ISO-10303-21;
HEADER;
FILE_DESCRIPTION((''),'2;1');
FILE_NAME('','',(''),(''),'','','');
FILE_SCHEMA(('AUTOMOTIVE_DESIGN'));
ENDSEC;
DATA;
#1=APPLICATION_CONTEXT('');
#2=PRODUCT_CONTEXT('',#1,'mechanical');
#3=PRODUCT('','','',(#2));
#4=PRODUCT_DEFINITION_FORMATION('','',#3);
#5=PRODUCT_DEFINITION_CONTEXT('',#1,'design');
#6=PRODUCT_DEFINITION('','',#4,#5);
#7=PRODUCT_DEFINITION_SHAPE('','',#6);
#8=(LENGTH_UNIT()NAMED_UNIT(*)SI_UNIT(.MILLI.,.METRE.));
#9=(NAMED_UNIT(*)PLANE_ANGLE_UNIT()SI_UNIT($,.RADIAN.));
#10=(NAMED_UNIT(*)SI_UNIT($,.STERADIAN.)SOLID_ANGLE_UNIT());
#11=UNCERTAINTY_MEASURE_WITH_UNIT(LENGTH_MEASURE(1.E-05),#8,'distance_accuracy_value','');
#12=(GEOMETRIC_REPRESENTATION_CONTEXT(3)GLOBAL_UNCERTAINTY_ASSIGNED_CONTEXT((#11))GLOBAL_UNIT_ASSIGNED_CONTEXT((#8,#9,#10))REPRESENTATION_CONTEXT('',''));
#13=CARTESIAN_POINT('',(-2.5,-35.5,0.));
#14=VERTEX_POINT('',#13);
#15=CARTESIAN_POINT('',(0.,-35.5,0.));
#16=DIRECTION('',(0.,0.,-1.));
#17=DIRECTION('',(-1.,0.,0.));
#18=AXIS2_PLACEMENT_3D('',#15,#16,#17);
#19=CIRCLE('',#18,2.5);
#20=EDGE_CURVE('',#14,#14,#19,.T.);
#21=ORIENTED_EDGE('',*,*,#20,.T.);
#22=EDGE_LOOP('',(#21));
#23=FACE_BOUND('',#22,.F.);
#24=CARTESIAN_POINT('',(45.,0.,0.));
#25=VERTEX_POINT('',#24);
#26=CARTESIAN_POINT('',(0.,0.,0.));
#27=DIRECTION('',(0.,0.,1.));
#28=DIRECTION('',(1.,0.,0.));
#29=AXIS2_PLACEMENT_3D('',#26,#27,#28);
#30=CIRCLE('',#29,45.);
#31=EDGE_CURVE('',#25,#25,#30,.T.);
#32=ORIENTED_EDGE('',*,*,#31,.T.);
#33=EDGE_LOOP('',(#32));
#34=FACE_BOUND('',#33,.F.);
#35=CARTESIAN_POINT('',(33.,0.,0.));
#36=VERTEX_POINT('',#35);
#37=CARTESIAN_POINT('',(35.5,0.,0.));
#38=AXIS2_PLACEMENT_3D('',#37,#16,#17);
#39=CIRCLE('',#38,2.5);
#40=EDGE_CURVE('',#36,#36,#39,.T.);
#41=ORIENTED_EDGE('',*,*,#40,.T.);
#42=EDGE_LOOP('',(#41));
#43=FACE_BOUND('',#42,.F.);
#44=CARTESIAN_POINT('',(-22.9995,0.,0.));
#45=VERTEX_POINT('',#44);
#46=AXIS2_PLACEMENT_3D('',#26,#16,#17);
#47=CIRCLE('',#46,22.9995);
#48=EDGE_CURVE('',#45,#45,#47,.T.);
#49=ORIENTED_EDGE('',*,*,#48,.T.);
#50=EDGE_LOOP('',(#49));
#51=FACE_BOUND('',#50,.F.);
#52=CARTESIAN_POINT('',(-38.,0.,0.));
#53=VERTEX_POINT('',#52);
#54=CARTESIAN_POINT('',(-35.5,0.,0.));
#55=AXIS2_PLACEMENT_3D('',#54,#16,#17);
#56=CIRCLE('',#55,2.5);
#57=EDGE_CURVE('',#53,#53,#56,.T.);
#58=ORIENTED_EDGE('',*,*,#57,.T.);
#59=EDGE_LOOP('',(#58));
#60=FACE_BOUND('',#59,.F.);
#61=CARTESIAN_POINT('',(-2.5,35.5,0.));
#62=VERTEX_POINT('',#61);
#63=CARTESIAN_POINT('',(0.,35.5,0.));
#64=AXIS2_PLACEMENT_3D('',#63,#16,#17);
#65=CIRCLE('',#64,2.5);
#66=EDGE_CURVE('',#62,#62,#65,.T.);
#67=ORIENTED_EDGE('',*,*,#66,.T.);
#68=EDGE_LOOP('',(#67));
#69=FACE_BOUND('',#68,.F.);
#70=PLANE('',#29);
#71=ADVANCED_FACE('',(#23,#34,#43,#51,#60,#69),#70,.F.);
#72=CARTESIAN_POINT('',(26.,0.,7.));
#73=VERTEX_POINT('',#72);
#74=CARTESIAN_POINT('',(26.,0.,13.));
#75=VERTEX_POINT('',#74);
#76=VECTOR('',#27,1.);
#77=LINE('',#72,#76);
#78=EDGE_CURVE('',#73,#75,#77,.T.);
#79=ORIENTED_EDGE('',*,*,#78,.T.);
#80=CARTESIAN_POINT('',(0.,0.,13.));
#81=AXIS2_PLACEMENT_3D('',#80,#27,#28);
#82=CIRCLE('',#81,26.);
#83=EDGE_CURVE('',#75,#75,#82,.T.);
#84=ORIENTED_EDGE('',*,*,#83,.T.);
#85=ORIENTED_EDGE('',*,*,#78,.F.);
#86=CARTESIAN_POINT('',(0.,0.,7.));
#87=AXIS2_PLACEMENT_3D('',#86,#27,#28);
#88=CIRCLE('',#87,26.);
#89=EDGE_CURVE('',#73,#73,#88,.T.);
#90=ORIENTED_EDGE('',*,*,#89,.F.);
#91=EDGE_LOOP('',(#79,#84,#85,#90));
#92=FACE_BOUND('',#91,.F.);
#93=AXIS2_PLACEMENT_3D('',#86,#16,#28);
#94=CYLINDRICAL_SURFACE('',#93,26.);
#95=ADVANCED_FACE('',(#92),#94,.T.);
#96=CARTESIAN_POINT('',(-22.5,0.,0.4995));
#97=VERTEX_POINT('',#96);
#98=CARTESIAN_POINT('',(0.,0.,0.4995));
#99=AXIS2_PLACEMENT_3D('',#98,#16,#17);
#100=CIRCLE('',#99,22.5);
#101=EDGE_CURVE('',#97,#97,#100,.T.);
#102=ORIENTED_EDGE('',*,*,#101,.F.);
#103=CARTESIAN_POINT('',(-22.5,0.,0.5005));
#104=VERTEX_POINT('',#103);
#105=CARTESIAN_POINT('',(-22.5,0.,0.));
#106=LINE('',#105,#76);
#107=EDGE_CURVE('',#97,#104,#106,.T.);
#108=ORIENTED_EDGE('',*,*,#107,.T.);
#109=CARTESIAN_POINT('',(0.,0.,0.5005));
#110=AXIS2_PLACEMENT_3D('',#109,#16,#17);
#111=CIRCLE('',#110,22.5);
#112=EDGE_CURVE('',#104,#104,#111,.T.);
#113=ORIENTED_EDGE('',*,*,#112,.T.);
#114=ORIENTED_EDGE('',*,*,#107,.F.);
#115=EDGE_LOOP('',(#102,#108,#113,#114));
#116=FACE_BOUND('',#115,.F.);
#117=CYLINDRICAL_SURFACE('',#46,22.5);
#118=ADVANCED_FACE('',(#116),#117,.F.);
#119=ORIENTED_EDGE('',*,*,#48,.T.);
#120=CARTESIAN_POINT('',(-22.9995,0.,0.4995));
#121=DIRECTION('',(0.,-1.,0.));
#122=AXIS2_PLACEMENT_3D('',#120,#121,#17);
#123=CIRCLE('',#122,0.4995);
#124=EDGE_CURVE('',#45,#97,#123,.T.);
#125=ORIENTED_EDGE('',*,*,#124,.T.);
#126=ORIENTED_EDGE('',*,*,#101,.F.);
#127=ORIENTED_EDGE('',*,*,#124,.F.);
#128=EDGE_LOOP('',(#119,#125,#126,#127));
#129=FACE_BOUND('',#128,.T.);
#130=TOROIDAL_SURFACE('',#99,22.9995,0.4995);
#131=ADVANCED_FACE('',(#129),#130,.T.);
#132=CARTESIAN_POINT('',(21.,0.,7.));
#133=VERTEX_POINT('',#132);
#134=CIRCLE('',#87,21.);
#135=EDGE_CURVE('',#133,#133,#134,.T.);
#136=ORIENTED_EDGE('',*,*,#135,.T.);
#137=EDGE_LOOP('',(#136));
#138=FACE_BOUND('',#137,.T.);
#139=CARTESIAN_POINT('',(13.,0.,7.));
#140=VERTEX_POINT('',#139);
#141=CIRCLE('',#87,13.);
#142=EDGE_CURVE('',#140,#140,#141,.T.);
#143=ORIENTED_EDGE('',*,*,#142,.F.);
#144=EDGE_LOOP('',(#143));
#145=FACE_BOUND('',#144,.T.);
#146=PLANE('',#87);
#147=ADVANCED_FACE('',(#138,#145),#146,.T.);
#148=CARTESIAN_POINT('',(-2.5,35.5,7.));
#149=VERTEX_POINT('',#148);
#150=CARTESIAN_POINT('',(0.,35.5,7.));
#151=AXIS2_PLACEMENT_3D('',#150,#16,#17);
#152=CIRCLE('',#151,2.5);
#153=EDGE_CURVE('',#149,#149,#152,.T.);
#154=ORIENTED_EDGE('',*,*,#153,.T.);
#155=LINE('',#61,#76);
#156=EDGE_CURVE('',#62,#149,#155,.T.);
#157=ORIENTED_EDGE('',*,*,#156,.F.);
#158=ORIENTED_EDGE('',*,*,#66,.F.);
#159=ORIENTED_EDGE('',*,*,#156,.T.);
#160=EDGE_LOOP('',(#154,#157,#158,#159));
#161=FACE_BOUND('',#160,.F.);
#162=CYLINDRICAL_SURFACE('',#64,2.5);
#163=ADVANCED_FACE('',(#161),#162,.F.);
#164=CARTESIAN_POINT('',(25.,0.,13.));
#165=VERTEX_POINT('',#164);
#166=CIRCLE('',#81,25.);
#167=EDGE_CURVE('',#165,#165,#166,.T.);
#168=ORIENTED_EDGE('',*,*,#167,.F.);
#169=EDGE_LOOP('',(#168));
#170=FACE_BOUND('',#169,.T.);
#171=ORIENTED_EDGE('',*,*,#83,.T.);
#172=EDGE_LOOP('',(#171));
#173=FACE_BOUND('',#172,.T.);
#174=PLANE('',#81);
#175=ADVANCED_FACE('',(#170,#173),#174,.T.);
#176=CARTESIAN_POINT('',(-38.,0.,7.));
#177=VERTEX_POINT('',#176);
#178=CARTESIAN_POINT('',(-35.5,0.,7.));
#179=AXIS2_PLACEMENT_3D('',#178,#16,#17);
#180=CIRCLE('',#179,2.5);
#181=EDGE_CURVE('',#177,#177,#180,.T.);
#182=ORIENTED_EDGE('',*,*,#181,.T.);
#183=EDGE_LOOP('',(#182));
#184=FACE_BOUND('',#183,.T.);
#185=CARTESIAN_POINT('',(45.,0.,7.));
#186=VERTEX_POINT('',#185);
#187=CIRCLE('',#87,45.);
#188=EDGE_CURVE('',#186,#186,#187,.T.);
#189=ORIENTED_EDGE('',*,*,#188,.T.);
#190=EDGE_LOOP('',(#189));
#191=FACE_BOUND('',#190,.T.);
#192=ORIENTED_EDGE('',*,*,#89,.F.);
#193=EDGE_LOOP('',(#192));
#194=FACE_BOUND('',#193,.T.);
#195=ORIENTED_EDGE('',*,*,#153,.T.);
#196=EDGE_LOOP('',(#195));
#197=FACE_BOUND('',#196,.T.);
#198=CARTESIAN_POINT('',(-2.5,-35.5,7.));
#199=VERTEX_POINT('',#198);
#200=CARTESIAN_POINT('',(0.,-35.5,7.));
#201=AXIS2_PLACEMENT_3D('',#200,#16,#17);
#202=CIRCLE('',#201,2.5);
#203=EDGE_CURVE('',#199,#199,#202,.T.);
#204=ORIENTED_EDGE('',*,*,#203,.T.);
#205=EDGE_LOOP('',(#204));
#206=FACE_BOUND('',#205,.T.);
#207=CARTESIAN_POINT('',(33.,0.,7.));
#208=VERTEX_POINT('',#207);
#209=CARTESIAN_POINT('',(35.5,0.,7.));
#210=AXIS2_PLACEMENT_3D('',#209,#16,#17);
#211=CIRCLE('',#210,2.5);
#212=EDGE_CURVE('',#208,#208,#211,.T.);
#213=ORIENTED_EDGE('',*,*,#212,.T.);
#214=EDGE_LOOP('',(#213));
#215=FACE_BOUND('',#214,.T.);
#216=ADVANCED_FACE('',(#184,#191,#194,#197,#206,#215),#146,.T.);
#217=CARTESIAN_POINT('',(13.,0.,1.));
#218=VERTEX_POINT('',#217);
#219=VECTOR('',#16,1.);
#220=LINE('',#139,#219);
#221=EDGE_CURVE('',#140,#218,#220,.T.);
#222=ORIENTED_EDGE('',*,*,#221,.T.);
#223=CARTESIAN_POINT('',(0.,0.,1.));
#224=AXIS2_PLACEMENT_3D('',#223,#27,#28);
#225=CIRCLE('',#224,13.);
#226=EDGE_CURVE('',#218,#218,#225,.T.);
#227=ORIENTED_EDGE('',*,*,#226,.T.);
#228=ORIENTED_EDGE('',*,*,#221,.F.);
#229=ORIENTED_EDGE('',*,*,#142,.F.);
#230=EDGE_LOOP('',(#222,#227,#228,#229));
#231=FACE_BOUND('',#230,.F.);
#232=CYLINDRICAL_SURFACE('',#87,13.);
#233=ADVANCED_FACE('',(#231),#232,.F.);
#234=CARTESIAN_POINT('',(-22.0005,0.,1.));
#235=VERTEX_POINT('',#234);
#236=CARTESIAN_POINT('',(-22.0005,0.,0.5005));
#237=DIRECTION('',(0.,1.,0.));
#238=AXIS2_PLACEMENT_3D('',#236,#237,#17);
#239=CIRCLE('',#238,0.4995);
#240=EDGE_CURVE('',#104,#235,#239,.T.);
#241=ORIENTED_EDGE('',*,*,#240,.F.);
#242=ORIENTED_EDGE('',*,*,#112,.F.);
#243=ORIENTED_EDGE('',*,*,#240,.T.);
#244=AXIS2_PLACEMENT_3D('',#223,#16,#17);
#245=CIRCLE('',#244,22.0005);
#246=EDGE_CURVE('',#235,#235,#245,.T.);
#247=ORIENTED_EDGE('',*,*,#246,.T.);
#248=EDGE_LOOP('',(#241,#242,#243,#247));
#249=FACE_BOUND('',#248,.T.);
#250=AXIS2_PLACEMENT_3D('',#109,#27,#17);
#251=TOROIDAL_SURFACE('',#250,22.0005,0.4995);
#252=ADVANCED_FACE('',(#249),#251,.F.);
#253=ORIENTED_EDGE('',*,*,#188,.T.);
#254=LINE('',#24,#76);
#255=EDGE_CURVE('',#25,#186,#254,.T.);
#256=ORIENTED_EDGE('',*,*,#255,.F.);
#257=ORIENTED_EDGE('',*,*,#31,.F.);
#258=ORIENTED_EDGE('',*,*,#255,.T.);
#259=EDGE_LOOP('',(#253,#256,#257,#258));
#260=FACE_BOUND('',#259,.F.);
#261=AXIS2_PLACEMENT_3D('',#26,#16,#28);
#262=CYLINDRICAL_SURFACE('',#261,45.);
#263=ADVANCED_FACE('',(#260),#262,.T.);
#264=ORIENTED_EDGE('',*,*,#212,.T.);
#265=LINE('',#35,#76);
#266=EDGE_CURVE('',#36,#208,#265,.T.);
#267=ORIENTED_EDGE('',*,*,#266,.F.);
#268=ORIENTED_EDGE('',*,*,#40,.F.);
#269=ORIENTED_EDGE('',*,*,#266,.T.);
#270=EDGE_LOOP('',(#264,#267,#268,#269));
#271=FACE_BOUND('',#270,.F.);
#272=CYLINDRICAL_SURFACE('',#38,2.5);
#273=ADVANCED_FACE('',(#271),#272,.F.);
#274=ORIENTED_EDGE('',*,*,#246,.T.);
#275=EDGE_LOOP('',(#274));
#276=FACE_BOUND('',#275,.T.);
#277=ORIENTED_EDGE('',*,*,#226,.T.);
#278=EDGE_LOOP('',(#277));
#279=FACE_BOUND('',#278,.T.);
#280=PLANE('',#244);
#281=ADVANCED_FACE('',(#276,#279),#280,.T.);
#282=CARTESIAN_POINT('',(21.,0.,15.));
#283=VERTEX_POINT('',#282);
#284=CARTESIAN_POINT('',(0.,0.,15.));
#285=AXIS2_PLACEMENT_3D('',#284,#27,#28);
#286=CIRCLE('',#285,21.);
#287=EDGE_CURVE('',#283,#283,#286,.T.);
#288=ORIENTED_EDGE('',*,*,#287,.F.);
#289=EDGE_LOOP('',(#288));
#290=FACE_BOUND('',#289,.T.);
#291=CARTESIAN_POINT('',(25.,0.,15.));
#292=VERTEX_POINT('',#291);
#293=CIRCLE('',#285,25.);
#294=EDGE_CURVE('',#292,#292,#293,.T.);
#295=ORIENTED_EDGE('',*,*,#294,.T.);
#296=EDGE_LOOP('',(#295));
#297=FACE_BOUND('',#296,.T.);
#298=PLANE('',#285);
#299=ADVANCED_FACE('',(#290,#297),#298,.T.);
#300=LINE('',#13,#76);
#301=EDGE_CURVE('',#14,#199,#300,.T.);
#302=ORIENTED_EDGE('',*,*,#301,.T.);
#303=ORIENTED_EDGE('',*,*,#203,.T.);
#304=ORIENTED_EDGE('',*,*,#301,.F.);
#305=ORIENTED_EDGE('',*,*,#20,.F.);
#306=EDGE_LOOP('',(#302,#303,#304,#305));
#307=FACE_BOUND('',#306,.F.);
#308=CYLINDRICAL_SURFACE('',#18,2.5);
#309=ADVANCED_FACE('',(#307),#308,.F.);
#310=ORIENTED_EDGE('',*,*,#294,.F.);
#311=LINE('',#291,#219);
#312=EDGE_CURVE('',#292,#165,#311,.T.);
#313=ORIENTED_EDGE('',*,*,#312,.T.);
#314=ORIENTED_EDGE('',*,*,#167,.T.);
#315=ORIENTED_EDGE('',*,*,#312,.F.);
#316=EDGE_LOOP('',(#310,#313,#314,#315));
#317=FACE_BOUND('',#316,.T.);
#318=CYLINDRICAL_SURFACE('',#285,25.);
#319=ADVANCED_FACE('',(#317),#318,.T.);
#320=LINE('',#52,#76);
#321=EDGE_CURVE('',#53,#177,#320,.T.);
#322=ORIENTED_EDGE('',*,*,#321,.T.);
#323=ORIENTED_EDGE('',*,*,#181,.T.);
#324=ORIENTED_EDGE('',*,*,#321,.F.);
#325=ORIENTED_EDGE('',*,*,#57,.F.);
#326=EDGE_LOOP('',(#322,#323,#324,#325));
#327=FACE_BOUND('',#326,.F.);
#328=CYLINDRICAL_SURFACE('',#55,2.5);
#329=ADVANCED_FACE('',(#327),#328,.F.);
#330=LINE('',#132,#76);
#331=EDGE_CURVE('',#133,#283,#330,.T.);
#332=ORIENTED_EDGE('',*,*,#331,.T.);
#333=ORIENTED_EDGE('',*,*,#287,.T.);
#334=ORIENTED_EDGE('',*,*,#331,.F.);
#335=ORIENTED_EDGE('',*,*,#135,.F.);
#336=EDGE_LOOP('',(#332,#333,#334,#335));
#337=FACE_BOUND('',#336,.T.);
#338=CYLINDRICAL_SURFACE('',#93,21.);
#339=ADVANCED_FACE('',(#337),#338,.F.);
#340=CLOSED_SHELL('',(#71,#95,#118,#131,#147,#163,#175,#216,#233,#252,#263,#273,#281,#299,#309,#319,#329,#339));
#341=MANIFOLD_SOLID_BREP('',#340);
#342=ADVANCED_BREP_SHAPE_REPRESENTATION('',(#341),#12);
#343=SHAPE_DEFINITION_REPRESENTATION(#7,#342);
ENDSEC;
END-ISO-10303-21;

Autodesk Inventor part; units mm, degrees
ref_plane "YZ Plane" through (0, 0, 0) normal (1, 0, 0) x (0, 1, 0)
ref_plane "XZ Plane" through (0, 0, 0) normal (0, 1, 0) x (-1, 0, 0)
ref_plane "XY Plane" through (0, 0, 0) normal (0, 0, 1) x (1, 0, 0)
sketch "草图1" plane through (0, 0, 0) normal (0, 0, 1) x (1, 0, 0)
  circle A0 centre (0, 0) radius 45
  dimension "d0" = 90
extrude "拉伸1" add sketch "草图1" along normal blind 7
sketch "草图2" plane through (0, 0, 7) normal (0, 0, 1) x (1, 0, 0)
  circle A0 centre (0, 0) radius 26
  circle A1 centre (0, 0) radius 21
  dimension "d3" = 52
  dimension "d4" = 42
extrude "拉伸2" add sketch "草图2" along normal blind 8
sketch "草图3" plane through (0, 0, 15) normal (0, 0, 1) x (1, 0, 0)
  circle A0 centre (0, 0) radius 26
  circle A1 centre (0, 0) radius 25
  dimension "d7" = 52
  dimension "d8" = 50
extrude "拉伸3" cut sketch "草图3" against normal blind 2
sketch "草图4" plane through (0, 0, 7) normal (0, 0, 1) x (1, 0, 0)
  circle A0 centre (0, 0) radius 13
  dimension "d11" = 26
extrude "拉伸4" cut sketch "草图4" against normal through all
sketch "草图5" plane through (0, 0, 0) normal (0, 0, -1) x (-1, 0, 0)
  circle A0 centre (0, -35.5) radius 2.5
  circle A1 centre (35.5, 0) radius 2.5
  circle A2 centre (-35.5, 0) radius 2.5
  circle A3 centre (0, 35.5) radius 2.5
  line L0 (0, 0) -> (-3.8614, 0)
  line L1 (0, 0) -> (0, -7.2667)
  dimension "d15" = 5
  dimension "d16" = 5
  dimension "d17" = 5
  dimension "d18" = 5
  dimension "d19" = 35.5
  dimension "d20" = 35.5
  dimension "d21" = 35.5
  dimension "d22" = 35.5
  dimension "d23" = 7.2667
  dimension "d24" = 3.8614
extrude "拉伸5" cut sketch "草图5" against normal through all
sketch "草图6" plane through (0, 0, 0) normal (0, 0, -1) x (-1, 0, 0)
  circle A0 centre (0, 0) radius 22.5
  dimension "d27" = 45
extrude "拉伸6" cut sketch "草图6" against normal blind 1
fillet "圆角1" radius 0.5 2 edges at (22.5, 0, 0) (22.5, 0, 1)
equation "\"d12\" = d11"
properties part number "装填盘轴盖"
